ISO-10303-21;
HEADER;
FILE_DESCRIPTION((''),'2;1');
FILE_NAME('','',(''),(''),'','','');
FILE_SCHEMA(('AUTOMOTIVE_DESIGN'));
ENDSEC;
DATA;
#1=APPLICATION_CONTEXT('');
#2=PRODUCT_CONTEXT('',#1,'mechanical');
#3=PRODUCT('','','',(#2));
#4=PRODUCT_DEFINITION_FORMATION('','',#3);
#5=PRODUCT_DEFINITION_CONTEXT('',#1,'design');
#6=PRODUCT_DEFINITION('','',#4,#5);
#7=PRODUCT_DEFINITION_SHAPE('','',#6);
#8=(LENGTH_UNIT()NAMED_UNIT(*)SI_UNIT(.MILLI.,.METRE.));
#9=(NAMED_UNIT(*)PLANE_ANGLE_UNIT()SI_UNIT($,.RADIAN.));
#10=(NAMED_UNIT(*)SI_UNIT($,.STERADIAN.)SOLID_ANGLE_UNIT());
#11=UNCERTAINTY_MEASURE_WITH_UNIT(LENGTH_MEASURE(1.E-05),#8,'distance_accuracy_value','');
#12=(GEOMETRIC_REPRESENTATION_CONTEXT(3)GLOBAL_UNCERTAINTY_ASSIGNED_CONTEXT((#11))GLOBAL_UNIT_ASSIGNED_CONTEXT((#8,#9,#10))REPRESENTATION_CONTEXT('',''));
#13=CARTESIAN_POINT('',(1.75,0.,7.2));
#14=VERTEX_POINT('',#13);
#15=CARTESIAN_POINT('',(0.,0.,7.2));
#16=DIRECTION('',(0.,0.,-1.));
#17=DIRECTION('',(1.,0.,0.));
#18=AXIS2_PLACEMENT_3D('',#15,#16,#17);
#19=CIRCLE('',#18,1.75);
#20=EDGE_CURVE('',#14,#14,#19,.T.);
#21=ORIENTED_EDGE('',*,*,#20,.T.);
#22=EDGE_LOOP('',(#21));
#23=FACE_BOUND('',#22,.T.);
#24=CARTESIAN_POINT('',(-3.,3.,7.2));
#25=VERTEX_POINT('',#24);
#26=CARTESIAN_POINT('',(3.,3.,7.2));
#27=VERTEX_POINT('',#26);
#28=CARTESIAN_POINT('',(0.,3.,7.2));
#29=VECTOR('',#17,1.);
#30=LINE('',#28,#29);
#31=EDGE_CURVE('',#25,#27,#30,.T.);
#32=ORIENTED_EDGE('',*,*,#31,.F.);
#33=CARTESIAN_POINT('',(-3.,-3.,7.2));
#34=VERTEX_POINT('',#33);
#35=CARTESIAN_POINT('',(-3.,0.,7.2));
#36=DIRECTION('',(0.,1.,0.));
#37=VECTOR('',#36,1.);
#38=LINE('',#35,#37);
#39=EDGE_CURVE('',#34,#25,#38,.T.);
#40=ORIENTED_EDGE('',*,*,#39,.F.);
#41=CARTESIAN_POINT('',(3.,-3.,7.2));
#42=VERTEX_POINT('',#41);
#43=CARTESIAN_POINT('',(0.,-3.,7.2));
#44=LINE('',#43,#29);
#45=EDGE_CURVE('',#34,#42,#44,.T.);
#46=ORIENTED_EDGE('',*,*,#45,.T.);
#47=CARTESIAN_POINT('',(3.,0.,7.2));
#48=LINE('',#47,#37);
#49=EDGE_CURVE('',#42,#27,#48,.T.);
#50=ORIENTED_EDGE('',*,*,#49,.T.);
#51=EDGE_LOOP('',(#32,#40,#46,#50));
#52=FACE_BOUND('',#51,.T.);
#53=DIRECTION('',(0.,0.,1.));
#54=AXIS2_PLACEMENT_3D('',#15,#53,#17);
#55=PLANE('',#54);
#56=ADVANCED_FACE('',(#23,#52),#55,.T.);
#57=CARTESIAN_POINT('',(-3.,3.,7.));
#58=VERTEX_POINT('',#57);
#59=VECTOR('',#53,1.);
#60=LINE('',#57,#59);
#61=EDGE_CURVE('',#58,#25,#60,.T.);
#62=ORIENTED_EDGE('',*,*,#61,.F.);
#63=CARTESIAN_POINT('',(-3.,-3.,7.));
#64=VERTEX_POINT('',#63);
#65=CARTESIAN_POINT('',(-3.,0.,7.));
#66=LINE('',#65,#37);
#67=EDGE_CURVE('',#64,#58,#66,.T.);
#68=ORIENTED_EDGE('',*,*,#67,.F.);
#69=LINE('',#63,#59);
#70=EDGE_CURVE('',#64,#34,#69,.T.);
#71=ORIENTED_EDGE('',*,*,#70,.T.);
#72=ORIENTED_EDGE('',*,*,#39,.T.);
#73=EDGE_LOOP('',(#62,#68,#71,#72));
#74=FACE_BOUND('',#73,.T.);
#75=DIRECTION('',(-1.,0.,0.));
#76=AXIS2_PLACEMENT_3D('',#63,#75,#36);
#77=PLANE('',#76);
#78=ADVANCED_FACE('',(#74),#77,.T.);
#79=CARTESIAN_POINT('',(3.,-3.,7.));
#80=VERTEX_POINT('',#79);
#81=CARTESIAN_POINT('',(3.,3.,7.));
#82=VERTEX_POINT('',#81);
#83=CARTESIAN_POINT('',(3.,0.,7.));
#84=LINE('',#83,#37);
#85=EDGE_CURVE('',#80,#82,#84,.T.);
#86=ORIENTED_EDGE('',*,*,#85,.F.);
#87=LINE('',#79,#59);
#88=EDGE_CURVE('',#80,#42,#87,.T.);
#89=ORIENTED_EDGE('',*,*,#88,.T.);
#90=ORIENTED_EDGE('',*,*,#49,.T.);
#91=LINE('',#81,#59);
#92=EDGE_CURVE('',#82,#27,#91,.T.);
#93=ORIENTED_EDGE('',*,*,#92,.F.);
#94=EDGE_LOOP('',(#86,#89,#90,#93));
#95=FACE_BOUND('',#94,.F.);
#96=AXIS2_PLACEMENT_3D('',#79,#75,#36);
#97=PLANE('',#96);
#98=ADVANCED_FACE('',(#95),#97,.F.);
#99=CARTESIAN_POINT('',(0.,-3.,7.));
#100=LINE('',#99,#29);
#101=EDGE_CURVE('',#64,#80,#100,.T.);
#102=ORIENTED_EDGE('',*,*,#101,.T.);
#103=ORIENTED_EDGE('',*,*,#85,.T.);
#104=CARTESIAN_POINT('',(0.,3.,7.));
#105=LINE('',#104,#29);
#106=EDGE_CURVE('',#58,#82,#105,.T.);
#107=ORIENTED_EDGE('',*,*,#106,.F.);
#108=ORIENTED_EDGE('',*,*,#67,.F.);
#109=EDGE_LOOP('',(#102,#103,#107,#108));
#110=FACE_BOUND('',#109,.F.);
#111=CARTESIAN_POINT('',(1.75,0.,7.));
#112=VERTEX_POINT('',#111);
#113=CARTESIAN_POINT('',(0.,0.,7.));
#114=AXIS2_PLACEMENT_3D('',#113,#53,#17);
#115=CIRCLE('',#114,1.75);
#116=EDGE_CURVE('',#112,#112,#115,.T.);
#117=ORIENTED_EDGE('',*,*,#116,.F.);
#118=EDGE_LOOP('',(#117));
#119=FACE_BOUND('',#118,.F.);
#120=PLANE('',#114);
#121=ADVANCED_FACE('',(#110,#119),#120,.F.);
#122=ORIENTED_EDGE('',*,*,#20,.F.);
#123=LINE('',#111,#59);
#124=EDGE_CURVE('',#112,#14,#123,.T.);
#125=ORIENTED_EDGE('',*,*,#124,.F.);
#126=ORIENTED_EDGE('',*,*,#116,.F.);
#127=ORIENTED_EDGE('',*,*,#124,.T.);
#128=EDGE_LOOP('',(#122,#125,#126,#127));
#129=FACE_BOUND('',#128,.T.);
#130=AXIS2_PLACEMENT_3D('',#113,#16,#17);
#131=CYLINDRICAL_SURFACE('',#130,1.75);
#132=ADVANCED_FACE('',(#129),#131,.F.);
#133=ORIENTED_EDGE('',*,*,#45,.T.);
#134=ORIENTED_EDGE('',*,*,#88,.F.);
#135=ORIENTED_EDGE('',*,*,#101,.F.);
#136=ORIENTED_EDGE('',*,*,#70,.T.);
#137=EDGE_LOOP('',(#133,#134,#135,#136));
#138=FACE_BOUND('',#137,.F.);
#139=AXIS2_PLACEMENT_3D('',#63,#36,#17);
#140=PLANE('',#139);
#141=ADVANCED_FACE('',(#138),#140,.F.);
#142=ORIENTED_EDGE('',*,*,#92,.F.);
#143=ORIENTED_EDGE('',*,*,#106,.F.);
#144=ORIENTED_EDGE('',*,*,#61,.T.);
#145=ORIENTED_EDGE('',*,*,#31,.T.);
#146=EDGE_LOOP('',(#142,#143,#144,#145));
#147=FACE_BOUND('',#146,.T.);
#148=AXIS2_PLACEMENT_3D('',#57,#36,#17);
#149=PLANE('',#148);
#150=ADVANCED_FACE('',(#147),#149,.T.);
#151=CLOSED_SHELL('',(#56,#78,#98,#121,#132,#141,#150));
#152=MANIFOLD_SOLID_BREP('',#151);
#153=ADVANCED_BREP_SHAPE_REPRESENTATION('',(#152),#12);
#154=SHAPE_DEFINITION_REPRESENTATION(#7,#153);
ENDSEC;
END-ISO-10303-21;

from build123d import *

# Parameters (mm, degrees)
SKETCH004_R  = 1.75
PAD005_DEPTH = 2
SKETCH002_W  = 6
SKETCH002_H  = 6
PAD003_DEPTH = 0.2


with BuildPart() as body004:
    # Sketch004 → Pad005 (new body)
    with BuildSketch(Plane.XY):
        Circle(SKETCH004_R)
    extrude(amount=PAD005_DEPTH)


with BuildPart() as body004_1:
    # Body004 placement: moved
    add(body004.part.moved(Location((0, 0, 7))))


with BuildPart() as cut:
    # Sketch002 → Pad003 (new body)
    with BuildSketch(Plane.XY):
        Rectangle(SKETCH002_W, SKETCH002_H)
    extrude(amount=PAD003_DEPTH)


with BuildPart() as cut_1:
    # Body002 placement: moved
    add(cut.part.moved(Location((0, 0, 7))))

    # Cut: cut Body004
    add(body004_1.part, mode=Mode.SUBTRACT)


solid = cut_1.part
